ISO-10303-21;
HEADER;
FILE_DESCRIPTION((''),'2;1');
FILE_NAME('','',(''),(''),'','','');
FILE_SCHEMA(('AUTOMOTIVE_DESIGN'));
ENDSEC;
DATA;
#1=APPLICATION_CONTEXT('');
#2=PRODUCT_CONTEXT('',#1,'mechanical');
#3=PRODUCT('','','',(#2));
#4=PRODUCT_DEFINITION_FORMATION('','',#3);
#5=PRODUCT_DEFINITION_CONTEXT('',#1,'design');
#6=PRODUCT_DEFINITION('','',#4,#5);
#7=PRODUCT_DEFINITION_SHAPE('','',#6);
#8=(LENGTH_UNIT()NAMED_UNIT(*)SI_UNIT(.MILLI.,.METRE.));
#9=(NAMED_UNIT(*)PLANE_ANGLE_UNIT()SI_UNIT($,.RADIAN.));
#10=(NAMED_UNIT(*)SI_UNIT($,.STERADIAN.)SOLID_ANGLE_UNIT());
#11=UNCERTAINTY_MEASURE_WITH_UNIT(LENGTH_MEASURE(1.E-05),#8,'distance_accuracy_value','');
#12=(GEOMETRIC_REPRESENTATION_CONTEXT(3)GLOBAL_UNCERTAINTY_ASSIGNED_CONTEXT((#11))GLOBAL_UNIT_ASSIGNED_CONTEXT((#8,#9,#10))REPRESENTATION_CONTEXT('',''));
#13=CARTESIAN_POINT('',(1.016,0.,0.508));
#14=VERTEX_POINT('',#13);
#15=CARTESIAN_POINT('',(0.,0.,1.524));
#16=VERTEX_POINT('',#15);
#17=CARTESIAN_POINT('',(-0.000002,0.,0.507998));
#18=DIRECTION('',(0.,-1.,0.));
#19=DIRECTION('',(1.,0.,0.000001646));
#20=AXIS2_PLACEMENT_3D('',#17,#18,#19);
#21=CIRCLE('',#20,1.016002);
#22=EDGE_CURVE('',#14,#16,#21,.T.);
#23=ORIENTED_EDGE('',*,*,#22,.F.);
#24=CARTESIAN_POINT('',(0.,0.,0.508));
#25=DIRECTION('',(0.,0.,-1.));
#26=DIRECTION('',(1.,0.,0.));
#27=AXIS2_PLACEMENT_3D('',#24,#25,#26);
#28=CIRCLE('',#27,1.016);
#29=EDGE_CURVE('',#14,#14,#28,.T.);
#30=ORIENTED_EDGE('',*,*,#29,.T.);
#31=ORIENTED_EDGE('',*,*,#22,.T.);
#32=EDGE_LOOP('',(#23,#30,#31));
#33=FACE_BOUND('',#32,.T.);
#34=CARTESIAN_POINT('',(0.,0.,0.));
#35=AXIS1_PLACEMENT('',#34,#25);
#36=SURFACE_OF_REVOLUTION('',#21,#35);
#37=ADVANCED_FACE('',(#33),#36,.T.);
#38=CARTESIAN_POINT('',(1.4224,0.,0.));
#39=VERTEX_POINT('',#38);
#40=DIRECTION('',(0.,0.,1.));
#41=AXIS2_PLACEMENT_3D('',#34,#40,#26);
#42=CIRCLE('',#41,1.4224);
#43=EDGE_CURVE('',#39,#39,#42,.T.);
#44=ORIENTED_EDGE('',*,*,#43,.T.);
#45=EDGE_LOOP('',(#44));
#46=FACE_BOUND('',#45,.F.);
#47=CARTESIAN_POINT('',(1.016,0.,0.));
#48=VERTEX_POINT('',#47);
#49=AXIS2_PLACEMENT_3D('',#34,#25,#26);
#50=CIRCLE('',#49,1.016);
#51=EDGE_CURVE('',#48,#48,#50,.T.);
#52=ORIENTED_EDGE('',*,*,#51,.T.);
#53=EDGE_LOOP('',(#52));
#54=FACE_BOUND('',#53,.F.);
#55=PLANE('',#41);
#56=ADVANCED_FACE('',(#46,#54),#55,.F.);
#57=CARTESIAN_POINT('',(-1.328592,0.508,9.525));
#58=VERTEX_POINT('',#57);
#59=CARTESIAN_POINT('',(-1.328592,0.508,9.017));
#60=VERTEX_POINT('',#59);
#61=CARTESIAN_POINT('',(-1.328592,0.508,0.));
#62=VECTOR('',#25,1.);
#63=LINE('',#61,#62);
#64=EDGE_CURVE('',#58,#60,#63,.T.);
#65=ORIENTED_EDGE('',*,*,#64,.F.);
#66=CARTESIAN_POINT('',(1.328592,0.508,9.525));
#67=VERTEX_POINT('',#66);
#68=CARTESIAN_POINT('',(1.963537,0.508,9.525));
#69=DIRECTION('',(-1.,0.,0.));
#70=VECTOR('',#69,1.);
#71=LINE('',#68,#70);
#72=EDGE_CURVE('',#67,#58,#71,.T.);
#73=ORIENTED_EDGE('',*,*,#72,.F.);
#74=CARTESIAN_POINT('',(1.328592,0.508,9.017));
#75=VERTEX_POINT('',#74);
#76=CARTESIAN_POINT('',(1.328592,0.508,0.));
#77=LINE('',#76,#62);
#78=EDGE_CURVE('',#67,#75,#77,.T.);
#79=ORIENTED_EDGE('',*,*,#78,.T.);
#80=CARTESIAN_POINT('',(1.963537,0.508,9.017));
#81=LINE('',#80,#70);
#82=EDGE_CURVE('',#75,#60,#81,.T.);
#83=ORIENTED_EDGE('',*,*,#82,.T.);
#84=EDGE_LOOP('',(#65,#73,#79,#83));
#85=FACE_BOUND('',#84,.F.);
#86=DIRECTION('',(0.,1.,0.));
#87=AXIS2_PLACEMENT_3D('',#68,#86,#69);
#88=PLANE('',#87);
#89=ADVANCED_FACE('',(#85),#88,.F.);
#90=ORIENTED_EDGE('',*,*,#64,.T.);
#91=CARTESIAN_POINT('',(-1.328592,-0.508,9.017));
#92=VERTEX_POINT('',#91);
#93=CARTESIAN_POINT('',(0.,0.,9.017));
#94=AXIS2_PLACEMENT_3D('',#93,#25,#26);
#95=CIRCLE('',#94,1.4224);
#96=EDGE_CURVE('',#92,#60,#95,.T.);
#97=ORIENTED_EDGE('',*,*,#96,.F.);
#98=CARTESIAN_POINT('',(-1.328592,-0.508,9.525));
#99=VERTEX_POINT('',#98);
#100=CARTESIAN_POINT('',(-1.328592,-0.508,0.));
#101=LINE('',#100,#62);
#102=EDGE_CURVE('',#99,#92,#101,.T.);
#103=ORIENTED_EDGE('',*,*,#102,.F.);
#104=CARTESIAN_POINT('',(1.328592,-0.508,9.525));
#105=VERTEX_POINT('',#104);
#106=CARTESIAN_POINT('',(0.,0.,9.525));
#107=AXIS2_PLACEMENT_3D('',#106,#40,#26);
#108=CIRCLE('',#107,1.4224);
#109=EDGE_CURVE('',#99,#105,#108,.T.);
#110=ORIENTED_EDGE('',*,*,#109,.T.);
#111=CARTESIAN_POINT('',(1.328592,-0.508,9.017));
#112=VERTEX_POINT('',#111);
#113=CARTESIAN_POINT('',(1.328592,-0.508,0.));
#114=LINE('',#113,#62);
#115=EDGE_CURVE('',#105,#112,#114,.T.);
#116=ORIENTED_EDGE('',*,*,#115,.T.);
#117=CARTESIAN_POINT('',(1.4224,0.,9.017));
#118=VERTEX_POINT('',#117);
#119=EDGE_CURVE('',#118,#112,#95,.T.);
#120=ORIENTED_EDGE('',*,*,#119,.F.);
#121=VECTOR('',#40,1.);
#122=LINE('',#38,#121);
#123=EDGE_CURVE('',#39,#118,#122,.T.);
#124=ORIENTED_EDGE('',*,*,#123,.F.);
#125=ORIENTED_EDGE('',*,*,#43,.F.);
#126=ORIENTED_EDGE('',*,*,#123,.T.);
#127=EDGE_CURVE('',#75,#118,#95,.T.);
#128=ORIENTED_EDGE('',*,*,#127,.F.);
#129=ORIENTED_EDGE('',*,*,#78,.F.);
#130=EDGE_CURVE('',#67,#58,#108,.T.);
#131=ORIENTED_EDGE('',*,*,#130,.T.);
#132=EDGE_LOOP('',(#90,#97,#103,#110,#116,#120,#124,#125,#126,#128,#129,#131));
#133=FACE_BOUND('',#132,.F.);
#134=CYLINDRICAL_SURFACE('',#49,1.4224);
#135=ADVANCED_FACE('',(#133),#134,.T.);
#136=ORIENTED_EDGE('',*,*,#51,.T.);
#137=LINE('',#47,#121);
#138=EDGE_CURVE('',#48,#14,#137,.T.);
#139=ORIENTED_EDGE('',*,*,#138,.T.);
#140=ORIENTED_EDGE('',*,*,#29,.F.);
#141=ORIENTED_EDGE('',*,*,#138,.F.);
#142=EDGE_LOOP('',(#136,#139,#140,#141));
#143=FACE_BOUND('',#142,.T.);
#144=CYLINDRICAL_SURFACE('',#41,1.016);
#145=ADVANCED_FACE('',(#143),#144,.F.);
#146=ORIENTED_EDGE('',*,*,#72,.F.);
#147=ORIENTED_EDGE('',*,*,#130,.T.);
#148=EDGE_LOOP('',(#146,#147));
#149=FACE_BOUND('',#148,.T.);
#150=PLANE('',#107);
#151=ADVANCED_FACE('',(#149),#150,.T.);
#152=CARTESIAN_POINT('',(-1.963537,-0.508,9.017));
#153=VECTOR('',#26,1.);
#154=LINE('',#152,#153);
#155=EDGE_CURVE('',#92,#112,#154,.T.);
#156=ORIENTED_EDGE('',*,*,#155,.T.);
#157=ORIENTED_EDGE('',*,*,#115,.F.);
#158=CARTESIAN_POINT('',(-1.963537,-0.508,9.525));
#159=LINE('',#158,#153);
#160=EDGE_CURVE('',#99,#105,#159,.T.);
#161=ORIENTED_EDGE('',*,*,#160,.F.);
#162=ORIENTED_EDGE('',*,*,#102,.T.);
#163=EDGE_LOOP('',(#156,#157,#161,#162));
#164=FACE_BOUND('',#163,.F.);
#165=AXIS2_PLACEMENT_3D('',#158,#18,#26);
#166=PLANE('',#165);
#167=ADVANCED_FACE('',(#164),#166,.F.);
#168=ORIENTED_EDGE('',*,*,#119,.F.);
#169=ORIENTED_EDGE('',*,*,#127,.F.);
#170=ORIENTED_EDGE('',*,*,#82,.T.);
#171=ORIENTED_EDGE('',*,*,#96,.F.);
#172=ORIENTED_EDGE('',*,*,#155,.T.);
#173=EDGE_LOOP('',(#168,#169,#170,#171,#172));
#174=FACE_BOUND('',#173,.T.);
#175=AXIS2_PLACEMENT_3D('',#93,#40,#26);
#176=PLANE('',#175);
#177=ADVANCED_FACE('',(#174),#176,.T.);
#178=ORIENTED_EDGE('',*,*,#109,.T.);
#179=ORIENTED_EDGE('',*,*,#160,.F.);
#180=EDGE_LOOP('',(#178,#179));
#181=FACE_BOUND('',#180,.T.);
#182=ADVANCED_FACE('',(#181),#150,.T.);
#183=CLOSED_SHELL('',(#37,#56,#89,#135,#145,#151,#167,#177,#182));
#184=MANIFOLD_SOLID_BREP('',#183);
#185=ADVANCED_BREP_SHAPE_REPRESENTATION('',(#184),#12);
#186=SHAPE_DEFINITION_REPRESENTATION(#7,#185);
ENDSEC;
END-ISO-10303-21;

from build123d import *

# Parameters (mm, degrees)
F0_R     = 1.4224
F1_DEPTH = 9.525
F5_DEPTH = 0.508


with BuildPart() as f1:
    # F0 (on Top) → F1 (new body)
    with BuildSketch(Plane.XY):
        Circle(F0_R)
    extrude(amount=F1_DEPTH)

    # F2 (on Front) → F3 (revolve, cut)
    with BuildSketch(Plane.XZ):
        with BuildLine():
            Line((0, 1.524), (0, 0))
            Line((0, 0), (1.016, 0))
            Line((1.016, 0), (1.016, 0.508))
            ThreePointArc((1.016, 0.508), (0.71842, 1.22642), (0, 1.524))
        make_face()
    revolve(axis=Axis((0, 0, 0), (0, 0, -1)), mode=Mode.SUBTRACT)

    # F4 (on face) → F5 (cut)
    with BuildSketch(Plane.XY.offset(9.525)):
        Polygon((1.963537, 0.508), (0, 0.508), (-1.963537, 0.508), (-1.963537, -0.508), (0, -0.508), (1.963537, -0.508), align=None)
    extrude(amount=-F5_DEPTH, mode=Mode.SUBTRACT)


solid = f1.part
